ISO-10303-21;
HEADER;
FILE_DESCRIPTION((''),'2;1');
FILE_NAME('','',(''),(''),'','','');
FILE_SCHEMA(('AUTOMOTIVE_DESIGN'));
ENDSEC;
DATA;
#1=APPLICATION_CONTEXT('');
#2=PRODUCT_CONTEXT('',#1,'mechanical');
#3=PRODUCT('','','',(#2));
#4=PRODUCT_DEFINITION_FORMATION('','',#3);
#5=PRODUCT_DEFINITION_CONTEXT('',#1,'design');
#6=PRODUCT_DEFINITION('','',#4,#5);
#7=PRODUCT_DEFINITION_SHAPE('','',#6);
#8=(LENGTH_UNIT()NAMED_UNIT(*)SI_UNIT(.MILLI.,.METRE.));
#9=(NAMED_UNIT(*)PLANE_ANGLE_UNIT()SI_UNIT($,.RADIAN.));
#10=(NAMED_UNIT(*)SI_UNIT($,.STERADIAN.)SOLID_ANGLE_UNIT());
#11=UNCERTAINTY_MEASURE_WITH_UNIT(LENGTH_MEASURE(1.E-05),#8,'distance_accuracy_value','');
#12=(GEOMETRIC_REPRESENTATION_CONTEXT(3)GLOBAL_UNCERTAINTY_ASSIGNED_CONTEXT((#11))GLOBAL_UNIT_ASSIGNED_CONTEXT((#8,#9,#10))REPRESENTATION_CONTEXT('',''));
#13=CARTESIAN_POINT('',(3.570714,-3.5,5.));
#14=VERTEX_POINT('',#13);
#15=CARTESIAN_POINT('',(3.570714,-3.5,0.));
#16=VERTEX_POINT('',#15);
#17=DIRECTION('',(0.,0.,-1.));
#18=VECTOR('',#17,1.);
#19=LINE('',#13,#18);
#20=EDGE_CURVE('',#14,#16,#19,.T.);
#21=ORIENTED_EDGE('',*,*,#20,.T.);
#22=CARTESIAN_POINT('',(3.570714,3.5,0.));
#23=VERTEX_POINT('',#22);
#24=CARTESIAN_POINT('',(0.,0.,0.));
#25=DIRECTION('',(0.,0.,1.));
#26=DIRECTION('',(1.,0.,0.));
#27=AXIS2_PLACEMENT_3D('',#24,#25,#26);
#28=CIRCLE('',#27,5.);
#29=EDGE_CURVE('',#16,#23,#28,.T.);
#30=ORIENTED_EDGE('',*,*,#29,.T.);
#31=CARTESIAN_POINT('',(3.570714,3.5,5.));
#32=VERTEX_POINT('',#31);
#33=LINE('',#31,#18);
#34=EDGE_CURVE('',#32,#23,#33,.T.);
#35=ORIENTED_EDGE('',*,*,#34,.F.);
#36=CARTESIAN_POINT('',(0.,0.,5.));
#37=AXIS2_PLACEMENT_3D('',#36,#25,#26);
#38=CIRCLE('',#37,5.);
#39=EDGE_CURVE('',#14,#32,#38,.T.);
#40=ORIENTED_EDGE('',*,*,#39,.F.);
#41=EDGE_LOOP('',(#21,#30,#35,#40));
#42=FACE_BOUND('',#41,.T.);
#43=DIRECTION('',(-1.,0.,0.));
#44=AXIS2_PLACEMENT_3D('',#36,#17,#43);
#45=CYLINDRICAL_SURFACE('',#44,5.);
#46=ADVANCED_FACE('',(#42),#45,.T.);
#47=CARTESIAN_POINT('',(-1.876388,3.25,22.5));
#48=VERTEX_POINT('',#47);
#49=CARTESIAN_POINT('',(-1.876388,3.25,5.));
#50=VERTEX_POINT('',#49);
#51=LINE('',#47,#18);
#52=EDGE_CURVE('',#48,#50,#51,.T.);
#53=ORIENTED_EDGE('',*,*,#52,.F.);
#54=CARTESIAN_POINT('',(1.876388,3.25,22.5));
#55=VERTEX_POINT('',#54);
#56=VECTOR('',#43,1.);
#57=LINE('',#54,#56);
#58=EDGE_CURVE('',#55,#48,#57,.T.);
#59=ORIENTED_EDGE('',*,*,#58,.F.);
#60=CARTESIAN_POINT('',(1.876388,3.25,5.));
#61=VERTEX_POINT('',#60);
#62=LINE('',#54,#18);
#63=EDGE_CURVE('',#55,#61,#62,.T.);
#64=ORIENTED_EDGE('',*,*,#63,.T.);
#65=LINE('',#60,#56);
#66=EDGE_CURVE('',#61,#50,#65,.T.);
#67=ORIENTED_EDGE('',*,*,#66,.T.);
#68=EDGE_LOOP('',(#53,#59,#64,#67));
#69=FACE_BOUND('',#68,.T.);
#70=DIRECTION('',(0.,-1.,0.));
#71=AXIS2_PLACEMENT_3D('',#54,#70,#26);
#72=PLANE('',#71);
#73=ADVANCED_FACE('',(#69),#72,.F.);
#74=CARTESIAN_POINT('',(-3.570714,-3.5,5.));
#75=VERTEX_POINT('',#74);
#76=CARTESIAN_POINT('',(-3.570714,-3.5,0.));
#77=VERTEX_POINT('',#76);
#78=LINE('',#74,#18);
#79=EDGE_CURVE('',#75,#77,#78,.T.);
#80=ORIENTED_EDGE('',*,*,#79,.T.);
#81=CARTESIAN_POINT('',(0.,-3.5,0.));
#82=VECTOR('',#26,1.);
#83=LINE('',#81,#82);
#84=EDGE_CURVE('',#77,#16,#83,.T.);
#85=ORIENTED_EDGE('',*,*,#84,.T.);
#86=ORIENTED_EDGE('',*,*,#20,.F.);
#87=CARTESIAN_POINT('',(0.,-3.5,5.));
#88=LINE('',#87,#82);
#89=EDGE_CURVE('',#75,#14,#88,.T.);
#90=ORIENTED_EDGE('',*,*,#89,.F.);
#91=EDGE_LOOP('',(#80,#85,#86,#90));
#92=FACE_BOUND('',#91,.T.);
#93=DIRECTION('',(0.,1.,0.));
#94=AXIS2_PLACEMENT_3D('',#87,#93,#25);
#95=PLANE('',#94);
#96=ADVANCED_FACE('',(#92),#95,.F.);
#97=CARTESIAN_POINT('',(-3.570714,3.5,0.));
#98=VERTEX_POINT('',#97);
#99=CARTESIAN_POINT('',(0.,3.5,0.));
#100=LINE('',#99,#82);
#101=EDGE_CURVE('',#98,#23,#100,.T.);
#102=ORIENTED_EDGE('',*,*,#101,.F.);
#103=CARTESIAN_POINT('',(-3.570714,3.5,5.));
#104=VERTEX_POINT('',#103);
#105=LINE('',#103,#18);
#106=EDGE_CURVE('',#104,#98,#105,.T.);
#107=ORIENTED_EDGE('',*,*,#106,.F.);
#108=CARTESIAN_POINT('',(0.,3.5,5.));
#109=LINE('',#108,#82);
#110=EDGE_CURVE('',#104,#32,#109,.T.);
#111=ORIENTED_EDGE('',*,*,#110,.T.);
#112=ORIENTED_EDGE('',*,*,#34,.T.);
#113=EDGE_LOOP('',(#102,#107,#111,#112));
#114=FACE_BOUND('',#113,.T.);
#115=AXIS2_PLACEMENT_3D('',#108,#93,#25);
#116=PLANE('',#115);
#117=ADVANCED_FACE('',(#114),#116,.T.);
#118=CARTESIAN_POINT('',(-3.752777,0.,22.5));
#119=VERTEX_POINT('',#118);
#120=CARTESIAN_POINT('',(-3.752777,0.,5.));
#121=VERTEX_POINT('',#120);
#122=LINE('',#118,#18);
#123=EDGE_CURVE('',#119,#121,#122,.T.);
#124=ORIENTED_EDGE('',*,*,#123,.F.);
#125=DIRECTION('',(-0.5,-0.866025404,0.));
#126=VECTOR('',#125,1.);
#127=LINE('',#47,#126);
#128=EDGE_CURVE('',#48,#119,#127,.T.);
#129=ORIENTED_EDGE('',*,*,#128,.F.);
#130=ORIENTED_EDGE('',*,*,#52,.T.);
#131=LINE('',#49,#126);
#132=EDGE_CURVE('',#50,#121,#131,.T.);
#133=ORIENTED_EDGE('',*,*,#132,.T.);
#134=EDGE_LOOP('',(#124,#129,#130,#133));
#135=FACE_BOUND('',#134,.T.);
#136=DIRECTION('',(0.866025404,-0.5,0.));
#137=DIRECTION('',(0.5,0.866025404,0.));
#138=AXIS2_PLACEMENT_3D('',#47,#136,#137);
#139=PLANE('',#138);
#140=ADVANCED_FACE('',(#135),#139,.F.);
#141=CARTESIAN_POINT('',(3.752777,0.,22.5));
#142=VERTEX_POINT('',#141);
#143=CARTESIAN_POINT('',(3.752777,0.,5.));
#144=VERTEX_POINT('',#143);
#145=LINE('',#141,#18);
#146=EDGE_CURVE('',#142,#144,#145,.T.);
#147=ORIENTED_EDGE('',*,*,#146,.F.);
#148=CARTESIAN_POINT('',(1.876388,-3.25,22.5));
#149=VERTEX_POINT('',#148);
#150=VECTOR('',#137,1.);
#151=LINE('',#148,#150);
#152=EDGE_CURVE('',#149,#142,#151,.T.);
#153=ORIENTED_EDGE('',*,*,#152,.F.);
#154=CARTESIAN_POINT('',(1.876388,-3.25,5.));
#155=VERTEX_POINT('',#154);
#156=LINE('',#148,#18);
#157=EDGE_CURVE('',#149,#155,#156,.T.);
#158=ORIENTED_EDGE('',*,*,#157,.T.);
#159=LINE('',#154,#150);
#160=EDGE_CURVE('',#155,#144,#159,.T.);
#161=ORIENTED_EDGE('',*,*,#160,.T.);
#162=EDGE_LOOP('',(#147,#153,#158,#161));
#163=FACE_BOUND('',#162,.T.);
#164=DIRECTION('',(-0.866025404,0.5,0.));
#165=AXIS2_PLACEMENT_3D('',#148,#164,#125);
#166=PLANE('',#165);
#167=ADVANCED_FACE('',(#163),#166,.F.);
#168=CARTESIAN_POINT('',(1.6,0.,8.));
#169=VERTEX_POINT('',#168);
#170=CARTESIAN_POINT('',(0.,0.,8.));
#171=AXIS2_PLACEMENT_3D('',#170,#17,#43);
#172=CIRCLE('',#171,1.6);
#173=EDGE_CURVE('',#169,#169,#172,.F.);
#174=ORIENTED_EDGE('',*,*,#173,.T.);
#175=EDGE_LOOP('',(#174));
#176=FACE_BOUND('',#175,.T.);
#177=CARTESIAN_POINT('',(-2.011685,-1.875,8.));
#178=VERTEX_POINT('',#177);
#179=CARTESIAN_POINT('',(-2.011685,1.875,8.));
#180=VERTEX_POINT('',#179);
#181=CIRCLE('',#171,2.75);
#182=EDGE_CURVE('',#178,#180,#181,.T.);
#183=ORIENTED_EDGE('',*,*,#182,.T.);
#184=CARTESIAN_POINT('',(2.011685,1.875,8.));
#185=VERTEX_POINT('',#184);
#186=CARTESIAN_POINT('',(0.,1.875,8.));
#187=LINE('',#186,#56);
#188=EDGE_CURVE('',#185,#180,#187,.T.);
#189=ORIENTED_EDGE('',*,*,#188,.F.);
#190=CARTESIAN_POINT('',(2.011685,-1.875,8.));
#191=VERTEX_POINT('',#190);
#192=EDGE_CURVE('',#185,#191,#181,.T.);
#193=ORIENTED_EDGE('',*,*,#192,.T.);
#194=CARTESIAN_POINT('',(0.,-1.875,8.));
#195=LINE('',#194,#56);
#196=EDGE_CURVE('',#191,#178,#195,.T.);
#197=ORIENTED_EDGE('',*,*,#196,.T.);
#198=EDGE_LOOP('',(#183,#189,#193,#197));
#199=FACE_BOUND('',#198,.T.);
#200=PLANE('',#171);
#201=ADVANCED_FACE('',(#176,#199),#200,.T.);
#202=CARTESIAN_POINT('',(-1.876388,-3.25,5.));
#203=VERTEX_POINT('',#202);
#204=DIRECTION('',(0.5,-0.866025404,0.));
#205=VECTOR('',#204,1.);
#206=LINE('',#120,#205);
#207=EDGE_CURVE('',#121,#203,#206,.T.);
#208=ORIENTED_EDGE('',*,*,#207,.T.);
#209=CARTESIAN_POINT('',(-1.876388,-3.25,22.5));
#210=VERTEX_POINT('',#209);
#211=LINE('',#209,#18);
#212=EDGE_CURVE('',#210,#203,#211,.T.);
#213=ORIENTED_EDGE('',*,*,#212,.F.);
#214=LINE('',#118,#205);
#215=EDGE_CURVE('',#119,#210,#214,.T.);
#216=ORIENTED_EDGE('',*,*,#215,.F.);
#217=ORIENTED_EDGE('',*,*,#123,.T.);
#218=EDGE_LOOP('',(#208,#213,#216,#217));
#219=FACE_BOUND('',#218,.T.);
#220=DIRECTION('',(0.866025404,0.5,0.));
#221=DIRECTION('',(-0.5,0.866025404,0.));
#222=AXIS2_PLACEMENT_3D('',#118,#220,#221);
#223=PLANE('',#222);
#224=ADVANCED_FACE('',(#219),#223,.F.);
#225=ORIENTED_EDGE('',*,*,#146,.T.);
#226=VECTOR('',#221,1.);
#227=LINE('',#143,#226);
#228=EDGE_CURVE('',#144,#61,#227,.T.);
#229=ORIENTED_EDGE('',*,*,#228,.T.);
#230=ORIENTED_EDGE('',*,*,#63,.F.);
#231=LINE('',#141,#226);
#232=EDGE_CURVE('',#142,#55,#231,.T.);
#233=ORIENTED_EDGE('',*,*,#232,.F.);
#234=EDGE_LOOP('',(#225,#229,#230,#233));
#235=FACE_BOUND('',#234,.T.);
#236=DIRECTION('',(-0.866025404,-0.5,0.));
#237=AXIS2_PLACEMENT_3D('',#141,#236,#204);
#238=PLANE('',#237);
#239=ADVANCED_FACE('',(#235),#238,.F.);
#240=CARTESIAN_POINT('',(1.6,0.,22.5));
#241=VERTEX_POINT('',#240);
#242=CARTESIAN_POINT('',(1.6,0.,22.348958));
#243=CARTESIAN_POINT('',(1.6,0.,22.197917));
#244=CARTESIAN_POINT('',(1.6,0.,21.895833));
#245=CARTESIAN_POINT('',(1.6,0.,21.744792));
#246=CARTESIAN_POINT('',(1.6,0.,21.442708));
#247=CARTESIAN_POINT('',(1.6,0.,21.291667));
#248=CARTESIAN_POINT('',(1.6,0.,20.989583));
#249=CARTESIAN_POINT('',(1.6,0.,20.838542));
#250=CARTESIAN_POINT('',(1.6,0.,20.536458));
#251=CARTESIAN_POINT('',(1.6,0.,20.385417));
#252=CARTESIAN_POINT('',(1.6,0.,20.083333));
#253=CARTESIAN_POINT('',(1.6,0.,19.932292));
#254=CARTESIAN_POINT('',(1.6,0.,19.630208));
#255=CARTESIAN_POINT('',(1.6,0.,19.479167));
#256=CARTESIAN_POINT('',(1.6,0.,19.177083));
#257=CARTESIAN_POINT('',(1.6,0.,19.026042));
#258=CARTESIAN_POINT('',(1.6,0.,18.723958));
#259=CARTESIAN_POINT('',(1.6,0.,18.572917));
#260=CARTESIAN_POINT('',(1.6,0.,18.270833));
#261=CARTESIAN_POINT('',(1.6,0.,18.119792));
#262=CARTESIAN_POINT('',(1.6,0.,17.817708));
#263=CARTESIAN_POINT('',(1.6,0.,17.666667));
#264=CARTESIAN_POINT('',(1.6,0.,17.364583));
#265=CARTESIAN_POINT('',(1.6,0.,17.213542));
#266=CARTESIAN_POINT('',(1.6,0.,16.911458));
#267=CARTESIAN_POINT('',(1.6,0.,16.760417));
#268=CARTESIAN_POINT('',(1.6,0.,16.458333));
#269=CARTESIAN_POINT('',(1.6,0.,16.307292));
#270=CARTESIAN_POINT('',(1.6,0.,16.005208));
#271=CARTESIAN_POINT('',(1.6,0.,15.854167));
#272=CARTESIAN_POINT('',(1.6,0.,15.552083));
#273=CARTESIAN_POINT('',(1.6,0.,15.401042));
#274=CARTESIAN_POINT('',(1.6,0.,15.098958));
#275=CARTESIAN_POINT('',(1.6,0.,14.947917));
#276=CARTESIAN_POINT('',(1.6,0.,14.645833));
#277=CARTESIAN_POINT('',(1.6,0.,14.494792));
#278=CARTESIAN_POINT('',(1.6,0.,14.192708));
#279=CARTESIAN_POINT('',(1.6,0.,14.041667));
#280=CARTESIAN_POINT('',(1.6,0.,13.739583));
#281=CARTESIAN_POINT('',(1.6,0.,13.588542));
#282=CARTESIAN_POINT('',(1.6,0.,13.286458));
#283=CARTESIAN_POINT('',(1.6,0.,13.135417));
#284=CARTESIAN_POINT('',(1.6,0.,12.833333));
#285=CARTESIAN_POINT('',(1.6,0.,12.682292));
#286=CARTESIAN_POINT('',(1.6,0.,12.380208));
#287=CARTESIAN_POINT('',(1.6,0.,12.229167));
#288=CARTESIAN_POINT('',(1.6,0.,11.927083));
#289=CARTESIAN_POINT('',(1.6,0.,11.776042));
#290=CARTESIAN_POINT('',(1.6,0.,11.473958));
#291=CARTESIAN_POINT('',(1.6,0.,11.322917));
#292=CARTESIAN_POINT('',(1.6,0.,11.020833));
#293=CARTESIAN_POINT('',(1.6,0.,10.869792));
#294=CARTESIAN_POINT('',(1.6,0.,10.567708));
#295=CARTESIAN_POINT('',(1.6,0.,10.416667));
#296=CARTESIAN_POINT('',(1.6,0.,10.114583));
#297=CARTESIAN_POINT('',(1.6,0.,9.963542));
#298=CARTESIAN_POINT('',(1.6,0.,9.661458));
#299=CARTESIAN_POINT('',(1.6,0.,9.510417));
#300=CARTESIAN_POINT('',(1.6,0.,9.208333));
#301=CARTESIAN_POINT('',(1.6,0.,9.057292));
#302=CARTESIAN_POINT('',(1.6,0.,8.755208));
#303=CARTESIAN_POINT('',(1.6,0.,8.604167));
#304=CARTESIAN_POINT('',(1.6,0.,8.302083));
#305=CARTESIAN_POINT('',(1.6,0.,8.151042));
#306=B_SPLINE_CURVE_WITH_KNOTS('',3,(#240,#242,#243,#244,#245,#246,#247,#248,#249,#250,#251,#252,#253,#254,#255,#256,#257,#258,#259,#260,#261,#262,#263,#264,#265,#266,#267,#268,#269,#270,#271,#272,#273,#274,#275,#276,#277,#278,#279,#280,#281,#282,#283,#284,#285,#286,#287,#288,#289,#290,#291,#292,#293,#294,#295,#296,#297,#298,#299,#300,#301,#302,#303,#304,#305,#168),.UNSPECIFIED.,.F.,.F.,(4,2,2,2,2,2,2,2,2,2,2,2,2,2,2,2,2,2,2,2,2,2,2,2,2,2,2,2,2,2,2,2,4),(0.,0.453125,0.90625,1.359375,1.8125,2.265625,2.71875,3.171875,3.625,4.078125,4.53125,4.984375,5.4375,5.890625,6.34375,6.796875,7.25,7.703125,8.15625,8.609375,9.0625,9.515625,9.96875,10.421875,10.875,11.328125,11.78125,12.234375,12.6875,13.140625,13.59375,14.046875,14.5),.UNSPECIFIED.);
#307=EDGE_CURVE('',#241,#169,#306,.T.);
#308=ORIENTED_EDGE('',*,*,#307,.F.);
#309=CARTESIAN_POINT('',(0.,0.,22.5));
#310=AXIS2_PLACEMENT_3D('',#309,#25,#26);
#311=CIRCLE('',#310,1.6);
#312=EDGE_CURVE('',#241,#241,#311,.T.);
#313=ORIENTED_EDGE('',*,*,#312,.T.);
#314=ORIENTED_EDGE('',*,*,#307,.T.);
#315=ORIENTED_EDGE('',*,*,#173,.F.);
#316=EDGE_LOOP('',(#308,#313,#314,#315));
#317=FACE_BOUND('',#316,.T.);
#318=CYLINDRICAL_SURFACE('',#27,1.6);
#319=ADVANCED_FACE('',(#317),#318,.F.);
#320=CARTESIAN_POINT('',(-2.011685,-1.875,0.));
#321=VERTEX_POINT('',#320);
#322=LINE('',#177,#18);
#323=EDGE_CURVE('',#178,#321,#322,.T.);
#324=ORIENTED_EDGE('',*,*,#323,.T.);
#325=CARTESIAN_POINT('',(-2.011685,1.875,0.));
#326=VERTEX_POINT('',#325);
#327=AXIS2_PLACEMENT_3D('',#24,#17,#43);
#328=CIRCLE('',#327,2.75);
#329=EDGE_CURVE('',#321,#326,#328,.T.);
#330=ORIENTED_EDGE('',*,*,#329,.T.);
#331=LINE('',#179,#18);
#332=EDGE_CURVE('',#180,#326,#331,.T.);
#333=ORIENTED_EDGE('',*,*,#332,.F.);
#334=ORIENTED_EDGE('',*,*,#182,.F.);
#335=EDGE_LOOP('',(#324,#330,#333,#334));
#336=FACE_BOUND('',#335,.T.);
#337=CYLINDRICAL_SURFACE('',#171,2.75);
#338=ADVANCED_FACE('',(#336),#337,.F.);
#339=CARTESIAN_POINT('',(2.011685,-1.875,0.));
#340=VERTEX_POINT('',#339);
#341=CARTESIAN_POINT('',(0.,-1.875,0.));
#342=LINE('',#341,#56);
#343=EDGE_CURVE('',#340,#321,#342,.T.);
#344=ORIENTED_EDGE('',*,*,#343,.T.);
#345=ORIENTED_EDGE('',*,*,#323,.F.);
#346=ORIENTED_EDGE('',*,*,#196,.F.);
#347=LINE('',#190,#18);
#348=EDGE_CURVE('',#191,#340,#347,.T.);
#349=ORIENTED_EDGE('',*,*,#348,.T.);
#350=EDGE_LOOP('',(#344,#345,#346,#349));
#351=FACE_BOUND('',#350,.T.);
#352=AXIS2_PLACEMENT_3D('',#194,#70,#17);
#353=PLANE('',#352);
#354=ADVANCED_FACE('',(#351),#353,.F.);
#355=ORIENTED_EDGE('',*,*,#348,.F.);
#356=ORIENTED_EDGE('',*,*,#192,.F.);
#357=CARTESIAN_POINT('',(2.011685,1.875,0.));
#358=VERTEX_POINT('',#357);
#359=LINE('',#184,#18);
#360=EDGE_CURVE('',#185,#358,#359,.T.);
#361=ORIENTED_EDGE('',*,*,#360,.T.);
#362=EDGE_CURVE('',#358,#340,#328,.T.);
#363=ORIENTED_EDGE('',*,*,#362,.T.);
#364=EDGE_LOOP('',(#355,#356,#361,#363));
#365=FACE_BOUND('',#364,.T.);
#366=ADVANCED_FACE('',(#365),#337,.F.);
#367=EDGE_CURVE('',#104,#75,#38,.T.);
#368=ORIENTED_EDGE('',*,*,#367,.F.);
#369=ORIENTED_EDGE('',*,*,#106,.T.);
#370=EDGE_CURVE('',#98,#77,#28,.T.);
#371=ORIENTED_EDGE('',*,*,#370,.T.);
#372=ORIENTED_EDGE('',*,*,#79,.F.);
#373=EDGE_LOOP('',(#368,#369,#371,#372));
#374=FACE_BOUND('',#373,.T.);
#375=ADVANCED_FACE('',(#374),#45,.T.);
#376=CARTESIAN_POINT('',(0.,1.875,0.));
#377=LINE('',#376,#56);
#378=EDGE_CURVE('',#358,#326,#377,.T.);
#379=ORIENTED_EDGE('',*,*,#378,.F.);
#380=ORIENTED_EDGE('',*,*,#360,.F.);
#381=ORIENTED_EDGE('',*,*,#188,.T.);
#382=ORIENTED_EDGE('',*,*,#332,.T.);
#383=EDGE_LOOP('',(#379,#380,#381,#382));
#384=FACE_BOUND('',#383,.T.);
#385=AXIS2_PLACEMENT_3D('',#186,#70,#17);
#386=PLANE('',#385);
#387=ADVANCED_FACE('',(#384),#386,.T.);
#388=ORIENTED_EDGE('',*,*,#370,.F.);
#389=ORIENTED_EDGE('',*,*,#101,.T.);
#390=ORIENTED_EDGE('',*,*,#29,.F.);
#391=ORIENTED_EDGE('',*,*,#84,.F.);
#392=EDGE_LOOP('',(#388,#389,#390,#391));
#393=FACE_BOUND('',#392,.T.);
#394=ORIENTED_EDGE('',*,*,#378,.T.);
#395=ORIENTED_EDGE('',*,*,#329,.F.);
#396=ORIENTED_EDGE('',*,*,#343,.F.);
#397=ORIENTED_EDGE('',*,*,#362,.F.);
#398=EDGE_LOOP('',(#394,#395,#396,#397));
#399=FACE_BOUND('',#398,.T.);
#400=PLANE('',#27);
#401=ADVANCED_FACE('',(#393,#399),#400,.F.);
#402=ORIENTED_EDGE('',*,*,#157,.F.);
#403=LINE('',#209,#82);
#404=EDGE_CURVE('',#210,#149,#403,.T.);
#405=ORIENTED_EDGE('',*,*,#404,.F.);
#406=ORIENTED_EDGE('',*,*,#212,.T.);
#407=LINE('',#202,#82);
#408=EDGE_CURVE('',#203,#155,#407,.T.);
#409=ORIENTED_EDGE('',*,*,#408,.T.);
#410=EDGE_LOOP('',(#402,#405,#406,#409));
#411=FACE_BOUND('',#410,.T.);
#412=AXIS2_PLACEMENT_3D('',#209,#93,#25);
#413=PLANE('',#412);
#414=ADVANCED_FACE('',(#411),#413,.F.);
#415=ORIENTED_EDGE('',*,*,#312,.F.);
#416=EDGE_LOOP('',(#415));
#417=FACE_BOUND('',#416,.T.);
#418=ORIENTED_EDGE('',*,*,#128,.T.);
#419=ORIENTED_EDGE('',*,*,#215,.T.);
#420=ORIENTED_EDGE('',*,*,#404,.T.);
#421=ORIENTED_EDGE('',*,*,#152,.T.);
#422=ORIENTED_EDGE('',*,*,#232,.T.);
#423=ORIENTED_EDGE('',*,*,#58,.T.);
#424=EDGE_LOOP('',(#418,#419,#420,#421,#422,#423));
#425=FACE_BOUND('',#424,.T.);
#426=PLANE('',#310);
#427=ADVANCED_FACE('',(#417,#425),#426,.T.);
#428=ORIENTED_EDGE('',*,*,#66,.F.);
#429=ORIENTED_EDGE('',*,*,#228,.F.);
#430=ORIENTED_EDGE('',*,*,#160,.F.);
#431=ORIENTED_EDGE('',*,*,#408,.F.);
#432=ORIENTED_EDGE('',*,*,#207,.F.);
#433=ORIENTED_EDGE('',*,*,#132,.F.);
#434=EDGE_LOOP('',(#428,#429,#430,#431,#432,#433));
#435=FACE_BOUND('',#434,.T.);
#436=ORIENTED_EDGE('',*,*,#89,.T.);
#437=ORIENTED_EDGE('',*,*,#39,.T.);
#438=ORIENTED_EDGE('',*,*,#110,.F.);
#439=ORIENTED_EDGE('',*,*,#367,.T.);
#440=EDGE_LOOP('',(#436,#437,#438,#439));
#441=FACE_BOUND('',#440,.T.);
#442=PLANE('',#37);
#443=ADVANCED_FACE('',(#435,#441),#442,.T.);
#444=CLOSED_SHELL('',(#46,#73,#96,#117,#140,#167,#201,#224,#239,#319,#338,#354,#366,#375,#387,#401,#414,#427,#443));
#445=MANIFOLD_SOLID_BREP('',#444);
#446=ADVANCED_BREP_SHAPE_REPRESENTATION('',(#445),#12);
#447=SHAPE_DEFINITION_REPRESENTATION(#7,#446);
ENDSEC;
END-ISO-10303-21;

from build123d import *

# Parameters (mm, degrees)
EXTRUDE_1_DEPTH     = 5
EXTRUDE_2_DEPTH     = 17.5
SKETCH_3_R          = 1.6
CUT_EXTRUDE_1_DEPTH = 24.313086454
CUT_EXTRUDE_START   = -8
CUT_EXTRUDE_2_DEPTH = 8


with BuildPart() as part:
    # 草图1 → 凸台-拉伸1 (new body)
    with BuildSketch(Plane.XY):
        with BuildLine():
            ThreePointArc((-3.570714214, 3.5), (-4.628907596, 1.890294809), (-5, 0))
            Line((-5, 0), (5, 0))
            ThreePointArc((5, 0), (4.628907596, 1.890294809), (3.570714214, 3.5))
            Line((3.570714214, 3.5), (-3.570714214, 3.5))
        make_face()
        with BuildLine():
            Line((5, 0), (-5, 0))
            ThreePointArc((-5, 0), (-4.628907596, -1.890294809), (-3.570714214, -3.5))
            Line((-3.570714214, -3.5), (3.570714214, -3.5))
            ThreePointArc((3.570714214, -3.5), (4.628907596, -1.890294809), (5, 0))
        make_face()
    extrude(amount=EXTRUDE_1_DEPTH)

    # 草图2 → 凸台-拉伸2 (add)
    with BuildSketch(Plane.XY.offset(5)):
        Polygon((1.876388375, 3.25), (-1.876388375, 3.25), (-3.75277675, 0), (-1.876388375, -3.25), (1.876388375, -3.25), (3.75277675, 0), align=None)
    extrude(amount=EXTRUDE_2_DEPTH)

    # 草图3 → 切除-拉伸1 (cut, through all)
    with BuildSketch(Plane.XY.offset(22.5)):
        Circle(SKETCH_3_R)
    extrude(amount=-CUT_EXTRUDE_1_DEPTH, mode=Mode.SUBTRACT)

    # 草图4 → 切除-拉伸2 (cut)
    with BuildSketch(Plane(origin=(0, 0, 0), x_dir=(-1, 0, 0), z_dir=(0, 0, -1)).offset(CUT_EXTRUDE_START)):
        with BuildLine():
            Line((2.011684617, 1.875), (-2.011684617, 1.875))
            ThreePointArc((-2.011684617, 1.875), (-2.55877243, 1.007563224), (-2.75, 0))
            Line((-2.75, 0), (-1.6, 0))
            ThreePointArc((-1.6, 0), (0, 1.6), (1.6, 0))
            Line((1.6, 0), (2.75, 0))
            ThreePointArc((2.75, 0), (2.55877243, 1.007563224), (2.011684617, 1.875))
        make_face()
        with BuildLine():
            Line((-1.6, 0), (-2.75, 0))
            ThreePointArc((-2.75, 0), (-2.55877243, -1.007563224), (-2.011684617, -1.875))
            Line((-2.011684617, -1.875), (2.011684617, -1.875))
            ThreePointArc((2.011684617, -1.875), (2.55877243, -1.007563224), (2.75, 0))
            Line((2.75, 0), (1.6, 0))
            ThreePointArc((1.6, 0), (0, -1.6), (-1.6, 0))
        make_face()
    extrude(amount=CUT_EXTRUDE_2_DEPTH, mode=Mode.SUBTRACT)


solid = part.part
